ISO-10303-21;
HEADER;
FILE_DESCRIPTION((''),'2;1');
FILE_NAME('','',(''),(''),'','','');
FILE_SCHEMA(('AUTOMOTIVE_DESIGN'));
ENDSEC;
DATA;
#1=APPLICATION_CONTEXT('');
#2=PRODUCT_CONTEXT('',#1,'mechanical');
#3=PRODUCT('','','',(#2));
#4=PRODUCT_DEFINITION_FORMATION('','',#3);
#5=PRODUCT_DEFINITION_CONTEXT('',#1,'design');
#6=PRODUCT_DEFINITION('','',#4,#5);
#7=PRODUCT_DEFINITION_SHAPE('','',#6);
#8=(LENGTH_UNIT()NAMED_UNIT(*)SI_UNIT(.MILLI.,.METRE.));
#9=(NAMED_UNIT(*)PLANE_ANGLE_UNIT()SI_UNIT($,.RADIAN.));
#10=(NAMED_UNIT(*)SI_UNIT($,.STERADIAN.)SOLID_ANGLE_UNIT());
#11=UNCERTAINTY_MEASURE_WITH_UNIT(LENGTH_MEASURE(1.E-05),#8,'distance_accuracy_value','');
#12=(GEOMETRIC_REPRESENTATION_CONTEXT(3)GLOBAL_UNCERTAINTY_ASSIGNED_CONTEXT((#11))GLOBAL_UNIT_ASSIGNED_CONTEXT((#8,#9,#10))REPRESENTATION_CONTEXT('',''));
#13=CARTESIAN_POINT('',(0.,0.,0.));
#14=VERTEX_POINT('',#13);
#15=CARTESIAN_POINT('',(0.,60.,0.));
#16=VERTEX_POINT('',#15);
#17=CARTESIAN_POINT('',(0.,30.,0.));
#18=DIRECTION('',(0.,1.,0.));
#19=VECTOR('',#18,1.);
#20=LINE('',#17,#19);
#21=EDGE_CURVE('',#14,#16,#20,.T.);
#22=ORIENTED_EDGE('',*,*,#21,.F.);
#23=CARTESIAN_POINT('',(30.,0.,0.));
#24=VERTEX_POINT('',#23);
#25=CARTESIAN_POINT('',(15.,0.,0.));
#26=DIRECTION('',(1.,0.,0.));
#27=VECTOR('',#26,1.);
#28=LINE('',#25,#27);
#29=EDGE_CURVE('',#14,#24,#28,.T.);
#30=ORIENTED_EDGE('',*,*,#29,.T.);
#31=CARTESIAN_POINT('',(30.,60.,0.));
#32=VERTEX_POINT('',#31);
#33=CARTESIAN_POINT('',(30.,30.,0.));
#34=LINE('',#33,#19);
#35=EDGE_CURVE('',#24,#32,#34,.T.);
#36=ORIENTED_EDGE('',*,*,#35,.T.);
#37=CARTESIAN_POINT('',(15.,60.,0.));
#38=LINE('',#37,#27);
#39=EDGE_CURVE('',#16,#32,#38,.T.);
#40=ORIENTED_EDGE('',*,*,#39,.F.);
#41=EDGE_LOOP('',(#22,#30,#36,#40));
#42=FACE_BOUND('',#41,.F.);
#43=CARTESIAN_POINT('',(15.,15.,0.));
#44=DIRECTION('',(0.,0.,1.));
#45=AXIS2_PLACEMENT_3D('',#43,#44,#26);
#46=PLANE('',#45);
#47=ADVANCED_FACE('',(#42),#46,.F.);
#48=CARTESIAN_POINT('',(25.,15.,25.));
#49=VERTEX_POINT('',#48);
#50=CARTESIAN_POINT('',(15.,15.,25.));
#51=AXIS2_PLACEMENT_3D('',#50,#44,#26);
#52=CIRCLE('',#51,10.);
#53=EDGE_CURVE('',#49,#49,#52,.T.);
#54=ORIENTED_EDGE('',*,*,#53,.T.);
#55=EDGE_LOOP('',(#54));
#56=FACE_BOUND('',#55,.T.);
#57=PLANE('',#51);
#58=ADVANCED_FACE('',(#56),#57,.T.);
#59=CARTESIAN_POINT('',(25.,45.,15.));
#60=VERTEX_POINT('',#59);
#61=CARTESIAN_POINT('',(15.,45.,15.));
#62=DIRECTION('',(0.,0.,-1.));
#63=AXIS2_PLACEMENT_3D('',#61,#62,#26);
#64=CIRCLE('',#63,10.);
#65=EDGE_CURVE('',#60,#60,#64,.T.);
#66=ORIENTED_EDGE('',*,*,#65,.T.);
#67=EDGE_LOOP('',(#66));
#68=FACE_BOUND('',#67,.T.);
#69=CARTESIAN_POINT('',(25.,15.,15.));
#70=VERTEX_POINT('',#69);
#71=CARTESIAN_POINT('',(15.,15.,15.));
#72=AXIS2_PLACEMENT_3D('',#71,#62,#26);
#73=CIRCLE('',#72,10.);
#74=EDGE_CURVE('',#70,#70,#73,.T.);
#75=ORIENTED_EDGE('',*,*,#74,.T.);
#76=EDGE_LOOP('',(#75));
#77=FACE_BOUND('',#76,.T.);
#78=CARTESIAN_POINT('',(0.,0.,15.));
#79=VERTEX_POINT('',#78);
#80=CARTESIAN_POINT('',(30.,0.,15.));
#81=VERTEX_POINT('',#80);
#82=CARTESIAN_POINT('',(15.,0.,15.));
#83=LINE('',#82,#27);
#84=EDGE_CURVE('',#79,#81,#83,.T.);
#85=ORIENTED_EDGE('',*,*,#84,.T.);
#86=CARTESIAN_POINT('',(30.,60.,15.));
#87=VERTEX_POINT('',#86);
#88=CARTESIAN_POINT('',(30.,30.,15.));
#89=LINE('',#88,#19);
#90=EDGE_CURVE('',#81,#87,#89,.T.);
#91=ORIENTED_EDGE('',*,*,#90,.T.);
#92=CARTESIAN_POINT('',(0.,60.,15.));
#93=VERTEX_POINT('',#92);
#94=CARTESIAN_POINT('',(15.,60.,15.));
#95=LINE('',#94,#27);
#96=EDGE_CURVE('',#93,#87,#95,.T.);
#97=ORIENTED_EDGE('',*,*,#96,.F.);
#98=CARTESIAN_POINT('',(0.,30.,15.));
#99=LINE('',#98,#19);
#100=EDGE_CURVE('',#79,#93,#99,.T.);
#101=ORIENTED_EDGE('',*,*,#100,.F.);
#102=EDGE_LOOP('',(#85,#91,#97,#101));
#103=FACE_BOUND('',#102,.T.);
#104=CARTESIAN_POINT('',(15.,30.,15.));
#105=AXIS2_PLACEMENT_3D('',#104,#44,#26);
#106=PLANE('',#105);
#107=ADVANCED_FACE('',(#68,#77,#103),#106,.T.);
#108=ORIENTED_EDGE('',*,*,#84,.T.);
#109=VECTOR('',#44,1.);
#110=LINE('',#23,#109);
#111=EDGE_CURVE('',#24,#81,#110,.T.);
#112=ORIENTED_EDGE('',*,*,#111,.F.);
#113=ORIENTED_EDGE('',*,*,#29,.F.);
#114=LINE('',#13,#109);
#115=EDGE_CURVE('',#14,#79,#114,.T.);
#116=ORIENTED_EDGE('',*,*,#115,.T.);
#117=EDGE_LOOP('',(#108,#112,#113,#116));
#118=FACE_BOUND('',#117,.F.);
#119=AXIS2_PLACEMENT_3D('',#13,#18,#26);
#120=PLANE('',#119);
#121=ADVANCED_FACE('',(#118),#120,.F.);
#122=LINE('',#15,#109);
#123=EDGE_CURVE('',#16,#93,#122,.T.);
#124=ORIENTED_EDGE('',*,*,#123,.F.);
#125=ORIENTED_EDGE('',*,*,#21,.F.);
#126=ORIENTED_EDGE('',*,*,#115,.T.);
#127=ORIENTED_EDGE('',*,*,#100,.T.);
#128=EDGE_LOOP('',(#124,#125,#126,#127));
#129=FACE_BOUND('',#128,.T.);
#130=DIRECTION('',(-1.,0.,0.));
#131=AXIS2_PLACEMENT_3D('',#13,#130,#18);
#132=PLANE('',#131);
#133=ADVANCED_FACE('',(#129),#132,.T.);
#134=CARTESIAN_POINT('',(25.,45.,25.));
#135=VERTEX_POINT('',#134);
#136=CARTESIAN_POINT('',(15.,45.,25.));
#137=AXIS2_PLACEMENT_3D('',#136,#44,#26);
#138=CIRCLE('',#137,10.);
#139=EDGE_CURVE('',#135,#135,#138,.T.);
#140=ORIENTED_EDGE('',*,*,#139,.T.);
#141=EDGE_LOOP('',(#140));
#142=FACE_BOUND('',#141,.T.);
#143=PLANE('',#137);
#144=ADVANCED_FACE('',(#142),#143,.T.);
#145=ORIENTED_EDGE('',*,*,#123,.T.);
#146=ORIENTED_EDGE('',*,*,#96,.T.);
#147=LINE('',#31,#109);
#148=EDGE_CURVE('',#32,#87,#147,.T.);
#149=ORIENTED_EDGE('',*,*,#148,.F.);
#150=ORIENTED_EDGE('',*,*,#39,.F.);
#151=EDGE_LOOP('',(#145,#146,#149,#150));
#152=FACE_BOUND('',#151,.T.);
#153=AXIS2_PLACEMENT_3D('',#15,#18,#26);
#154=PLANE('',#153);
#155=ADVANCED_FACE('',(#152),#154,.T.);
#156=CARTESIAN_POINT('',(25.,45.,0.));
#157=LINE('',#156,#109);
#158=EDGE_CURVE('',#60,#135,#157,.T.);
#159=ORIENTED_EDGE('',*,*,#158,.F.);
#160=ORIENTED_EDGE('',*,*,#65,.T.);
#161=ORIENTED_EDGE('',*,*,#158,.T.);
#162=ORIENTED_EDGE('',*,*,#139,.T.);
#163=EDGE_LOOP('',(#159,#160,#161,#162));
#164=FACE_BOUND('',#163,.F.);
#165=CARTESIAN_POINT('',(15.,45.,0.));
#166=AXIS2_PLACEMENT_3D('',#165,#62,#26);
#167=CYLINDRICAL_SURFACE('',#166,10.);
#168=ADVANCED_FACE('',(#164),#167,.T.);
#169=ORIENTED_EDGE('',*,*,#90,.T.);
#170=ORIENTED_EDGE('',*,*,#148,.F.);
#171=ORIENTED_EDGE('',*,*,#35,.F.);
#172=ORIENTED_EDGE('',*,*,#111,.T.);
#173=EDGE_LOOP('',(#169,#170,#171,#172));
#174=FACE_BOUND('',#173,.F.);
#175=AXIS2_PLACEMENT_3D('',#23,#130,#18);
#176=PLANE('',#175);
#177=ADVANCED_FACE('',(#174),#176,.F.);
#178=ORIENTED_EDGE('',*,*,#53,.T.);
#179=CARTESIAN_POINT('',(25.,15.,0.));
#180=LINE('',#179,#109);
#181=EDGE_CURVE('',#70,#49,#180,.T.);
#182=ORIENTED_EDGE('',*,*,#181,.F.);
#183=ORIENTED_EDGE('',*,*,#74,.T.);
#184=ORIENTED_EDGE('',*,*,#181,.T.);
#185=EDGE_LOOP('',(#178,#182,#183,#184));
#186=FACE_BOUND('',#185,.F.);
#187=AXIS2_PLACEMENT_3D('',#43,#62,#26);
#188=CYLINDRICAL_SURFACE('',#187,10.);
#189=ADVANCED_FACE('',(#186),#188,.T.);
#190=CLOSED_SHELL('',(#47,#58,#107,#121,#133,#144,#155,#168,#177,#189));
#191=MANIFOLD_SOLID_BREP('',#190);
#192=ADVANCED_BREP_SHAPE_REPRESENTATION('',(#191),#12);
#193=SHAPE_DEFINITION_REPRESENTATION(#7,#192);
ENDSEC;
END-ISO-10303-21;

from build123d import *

# Parameters (mm, degrees)
F0_W     = 30
F0_H     = 60
F2_DEPTH = 15
F1_R     = 10
F3_DEPTH = 25


with BuildPart() as f2:
    # F0 (on Top) → F2 (new body)
    with BuildSketch(Plane.XY):
        with Locations((15, 30)):
            Rectangle(F0_W, F0_H)
    extrude(amount=F2_DEPTH)

    # F1 (on Top) → F3 (join)
    with BuildSketch(Plane.XY):
        with Locations((15, 15)):
            Circle(F1_R)
        with Locations((15, 45)):
            Circle(F1_R)
    extrude(amount=F3_DEPTH)


solid = f2.part
